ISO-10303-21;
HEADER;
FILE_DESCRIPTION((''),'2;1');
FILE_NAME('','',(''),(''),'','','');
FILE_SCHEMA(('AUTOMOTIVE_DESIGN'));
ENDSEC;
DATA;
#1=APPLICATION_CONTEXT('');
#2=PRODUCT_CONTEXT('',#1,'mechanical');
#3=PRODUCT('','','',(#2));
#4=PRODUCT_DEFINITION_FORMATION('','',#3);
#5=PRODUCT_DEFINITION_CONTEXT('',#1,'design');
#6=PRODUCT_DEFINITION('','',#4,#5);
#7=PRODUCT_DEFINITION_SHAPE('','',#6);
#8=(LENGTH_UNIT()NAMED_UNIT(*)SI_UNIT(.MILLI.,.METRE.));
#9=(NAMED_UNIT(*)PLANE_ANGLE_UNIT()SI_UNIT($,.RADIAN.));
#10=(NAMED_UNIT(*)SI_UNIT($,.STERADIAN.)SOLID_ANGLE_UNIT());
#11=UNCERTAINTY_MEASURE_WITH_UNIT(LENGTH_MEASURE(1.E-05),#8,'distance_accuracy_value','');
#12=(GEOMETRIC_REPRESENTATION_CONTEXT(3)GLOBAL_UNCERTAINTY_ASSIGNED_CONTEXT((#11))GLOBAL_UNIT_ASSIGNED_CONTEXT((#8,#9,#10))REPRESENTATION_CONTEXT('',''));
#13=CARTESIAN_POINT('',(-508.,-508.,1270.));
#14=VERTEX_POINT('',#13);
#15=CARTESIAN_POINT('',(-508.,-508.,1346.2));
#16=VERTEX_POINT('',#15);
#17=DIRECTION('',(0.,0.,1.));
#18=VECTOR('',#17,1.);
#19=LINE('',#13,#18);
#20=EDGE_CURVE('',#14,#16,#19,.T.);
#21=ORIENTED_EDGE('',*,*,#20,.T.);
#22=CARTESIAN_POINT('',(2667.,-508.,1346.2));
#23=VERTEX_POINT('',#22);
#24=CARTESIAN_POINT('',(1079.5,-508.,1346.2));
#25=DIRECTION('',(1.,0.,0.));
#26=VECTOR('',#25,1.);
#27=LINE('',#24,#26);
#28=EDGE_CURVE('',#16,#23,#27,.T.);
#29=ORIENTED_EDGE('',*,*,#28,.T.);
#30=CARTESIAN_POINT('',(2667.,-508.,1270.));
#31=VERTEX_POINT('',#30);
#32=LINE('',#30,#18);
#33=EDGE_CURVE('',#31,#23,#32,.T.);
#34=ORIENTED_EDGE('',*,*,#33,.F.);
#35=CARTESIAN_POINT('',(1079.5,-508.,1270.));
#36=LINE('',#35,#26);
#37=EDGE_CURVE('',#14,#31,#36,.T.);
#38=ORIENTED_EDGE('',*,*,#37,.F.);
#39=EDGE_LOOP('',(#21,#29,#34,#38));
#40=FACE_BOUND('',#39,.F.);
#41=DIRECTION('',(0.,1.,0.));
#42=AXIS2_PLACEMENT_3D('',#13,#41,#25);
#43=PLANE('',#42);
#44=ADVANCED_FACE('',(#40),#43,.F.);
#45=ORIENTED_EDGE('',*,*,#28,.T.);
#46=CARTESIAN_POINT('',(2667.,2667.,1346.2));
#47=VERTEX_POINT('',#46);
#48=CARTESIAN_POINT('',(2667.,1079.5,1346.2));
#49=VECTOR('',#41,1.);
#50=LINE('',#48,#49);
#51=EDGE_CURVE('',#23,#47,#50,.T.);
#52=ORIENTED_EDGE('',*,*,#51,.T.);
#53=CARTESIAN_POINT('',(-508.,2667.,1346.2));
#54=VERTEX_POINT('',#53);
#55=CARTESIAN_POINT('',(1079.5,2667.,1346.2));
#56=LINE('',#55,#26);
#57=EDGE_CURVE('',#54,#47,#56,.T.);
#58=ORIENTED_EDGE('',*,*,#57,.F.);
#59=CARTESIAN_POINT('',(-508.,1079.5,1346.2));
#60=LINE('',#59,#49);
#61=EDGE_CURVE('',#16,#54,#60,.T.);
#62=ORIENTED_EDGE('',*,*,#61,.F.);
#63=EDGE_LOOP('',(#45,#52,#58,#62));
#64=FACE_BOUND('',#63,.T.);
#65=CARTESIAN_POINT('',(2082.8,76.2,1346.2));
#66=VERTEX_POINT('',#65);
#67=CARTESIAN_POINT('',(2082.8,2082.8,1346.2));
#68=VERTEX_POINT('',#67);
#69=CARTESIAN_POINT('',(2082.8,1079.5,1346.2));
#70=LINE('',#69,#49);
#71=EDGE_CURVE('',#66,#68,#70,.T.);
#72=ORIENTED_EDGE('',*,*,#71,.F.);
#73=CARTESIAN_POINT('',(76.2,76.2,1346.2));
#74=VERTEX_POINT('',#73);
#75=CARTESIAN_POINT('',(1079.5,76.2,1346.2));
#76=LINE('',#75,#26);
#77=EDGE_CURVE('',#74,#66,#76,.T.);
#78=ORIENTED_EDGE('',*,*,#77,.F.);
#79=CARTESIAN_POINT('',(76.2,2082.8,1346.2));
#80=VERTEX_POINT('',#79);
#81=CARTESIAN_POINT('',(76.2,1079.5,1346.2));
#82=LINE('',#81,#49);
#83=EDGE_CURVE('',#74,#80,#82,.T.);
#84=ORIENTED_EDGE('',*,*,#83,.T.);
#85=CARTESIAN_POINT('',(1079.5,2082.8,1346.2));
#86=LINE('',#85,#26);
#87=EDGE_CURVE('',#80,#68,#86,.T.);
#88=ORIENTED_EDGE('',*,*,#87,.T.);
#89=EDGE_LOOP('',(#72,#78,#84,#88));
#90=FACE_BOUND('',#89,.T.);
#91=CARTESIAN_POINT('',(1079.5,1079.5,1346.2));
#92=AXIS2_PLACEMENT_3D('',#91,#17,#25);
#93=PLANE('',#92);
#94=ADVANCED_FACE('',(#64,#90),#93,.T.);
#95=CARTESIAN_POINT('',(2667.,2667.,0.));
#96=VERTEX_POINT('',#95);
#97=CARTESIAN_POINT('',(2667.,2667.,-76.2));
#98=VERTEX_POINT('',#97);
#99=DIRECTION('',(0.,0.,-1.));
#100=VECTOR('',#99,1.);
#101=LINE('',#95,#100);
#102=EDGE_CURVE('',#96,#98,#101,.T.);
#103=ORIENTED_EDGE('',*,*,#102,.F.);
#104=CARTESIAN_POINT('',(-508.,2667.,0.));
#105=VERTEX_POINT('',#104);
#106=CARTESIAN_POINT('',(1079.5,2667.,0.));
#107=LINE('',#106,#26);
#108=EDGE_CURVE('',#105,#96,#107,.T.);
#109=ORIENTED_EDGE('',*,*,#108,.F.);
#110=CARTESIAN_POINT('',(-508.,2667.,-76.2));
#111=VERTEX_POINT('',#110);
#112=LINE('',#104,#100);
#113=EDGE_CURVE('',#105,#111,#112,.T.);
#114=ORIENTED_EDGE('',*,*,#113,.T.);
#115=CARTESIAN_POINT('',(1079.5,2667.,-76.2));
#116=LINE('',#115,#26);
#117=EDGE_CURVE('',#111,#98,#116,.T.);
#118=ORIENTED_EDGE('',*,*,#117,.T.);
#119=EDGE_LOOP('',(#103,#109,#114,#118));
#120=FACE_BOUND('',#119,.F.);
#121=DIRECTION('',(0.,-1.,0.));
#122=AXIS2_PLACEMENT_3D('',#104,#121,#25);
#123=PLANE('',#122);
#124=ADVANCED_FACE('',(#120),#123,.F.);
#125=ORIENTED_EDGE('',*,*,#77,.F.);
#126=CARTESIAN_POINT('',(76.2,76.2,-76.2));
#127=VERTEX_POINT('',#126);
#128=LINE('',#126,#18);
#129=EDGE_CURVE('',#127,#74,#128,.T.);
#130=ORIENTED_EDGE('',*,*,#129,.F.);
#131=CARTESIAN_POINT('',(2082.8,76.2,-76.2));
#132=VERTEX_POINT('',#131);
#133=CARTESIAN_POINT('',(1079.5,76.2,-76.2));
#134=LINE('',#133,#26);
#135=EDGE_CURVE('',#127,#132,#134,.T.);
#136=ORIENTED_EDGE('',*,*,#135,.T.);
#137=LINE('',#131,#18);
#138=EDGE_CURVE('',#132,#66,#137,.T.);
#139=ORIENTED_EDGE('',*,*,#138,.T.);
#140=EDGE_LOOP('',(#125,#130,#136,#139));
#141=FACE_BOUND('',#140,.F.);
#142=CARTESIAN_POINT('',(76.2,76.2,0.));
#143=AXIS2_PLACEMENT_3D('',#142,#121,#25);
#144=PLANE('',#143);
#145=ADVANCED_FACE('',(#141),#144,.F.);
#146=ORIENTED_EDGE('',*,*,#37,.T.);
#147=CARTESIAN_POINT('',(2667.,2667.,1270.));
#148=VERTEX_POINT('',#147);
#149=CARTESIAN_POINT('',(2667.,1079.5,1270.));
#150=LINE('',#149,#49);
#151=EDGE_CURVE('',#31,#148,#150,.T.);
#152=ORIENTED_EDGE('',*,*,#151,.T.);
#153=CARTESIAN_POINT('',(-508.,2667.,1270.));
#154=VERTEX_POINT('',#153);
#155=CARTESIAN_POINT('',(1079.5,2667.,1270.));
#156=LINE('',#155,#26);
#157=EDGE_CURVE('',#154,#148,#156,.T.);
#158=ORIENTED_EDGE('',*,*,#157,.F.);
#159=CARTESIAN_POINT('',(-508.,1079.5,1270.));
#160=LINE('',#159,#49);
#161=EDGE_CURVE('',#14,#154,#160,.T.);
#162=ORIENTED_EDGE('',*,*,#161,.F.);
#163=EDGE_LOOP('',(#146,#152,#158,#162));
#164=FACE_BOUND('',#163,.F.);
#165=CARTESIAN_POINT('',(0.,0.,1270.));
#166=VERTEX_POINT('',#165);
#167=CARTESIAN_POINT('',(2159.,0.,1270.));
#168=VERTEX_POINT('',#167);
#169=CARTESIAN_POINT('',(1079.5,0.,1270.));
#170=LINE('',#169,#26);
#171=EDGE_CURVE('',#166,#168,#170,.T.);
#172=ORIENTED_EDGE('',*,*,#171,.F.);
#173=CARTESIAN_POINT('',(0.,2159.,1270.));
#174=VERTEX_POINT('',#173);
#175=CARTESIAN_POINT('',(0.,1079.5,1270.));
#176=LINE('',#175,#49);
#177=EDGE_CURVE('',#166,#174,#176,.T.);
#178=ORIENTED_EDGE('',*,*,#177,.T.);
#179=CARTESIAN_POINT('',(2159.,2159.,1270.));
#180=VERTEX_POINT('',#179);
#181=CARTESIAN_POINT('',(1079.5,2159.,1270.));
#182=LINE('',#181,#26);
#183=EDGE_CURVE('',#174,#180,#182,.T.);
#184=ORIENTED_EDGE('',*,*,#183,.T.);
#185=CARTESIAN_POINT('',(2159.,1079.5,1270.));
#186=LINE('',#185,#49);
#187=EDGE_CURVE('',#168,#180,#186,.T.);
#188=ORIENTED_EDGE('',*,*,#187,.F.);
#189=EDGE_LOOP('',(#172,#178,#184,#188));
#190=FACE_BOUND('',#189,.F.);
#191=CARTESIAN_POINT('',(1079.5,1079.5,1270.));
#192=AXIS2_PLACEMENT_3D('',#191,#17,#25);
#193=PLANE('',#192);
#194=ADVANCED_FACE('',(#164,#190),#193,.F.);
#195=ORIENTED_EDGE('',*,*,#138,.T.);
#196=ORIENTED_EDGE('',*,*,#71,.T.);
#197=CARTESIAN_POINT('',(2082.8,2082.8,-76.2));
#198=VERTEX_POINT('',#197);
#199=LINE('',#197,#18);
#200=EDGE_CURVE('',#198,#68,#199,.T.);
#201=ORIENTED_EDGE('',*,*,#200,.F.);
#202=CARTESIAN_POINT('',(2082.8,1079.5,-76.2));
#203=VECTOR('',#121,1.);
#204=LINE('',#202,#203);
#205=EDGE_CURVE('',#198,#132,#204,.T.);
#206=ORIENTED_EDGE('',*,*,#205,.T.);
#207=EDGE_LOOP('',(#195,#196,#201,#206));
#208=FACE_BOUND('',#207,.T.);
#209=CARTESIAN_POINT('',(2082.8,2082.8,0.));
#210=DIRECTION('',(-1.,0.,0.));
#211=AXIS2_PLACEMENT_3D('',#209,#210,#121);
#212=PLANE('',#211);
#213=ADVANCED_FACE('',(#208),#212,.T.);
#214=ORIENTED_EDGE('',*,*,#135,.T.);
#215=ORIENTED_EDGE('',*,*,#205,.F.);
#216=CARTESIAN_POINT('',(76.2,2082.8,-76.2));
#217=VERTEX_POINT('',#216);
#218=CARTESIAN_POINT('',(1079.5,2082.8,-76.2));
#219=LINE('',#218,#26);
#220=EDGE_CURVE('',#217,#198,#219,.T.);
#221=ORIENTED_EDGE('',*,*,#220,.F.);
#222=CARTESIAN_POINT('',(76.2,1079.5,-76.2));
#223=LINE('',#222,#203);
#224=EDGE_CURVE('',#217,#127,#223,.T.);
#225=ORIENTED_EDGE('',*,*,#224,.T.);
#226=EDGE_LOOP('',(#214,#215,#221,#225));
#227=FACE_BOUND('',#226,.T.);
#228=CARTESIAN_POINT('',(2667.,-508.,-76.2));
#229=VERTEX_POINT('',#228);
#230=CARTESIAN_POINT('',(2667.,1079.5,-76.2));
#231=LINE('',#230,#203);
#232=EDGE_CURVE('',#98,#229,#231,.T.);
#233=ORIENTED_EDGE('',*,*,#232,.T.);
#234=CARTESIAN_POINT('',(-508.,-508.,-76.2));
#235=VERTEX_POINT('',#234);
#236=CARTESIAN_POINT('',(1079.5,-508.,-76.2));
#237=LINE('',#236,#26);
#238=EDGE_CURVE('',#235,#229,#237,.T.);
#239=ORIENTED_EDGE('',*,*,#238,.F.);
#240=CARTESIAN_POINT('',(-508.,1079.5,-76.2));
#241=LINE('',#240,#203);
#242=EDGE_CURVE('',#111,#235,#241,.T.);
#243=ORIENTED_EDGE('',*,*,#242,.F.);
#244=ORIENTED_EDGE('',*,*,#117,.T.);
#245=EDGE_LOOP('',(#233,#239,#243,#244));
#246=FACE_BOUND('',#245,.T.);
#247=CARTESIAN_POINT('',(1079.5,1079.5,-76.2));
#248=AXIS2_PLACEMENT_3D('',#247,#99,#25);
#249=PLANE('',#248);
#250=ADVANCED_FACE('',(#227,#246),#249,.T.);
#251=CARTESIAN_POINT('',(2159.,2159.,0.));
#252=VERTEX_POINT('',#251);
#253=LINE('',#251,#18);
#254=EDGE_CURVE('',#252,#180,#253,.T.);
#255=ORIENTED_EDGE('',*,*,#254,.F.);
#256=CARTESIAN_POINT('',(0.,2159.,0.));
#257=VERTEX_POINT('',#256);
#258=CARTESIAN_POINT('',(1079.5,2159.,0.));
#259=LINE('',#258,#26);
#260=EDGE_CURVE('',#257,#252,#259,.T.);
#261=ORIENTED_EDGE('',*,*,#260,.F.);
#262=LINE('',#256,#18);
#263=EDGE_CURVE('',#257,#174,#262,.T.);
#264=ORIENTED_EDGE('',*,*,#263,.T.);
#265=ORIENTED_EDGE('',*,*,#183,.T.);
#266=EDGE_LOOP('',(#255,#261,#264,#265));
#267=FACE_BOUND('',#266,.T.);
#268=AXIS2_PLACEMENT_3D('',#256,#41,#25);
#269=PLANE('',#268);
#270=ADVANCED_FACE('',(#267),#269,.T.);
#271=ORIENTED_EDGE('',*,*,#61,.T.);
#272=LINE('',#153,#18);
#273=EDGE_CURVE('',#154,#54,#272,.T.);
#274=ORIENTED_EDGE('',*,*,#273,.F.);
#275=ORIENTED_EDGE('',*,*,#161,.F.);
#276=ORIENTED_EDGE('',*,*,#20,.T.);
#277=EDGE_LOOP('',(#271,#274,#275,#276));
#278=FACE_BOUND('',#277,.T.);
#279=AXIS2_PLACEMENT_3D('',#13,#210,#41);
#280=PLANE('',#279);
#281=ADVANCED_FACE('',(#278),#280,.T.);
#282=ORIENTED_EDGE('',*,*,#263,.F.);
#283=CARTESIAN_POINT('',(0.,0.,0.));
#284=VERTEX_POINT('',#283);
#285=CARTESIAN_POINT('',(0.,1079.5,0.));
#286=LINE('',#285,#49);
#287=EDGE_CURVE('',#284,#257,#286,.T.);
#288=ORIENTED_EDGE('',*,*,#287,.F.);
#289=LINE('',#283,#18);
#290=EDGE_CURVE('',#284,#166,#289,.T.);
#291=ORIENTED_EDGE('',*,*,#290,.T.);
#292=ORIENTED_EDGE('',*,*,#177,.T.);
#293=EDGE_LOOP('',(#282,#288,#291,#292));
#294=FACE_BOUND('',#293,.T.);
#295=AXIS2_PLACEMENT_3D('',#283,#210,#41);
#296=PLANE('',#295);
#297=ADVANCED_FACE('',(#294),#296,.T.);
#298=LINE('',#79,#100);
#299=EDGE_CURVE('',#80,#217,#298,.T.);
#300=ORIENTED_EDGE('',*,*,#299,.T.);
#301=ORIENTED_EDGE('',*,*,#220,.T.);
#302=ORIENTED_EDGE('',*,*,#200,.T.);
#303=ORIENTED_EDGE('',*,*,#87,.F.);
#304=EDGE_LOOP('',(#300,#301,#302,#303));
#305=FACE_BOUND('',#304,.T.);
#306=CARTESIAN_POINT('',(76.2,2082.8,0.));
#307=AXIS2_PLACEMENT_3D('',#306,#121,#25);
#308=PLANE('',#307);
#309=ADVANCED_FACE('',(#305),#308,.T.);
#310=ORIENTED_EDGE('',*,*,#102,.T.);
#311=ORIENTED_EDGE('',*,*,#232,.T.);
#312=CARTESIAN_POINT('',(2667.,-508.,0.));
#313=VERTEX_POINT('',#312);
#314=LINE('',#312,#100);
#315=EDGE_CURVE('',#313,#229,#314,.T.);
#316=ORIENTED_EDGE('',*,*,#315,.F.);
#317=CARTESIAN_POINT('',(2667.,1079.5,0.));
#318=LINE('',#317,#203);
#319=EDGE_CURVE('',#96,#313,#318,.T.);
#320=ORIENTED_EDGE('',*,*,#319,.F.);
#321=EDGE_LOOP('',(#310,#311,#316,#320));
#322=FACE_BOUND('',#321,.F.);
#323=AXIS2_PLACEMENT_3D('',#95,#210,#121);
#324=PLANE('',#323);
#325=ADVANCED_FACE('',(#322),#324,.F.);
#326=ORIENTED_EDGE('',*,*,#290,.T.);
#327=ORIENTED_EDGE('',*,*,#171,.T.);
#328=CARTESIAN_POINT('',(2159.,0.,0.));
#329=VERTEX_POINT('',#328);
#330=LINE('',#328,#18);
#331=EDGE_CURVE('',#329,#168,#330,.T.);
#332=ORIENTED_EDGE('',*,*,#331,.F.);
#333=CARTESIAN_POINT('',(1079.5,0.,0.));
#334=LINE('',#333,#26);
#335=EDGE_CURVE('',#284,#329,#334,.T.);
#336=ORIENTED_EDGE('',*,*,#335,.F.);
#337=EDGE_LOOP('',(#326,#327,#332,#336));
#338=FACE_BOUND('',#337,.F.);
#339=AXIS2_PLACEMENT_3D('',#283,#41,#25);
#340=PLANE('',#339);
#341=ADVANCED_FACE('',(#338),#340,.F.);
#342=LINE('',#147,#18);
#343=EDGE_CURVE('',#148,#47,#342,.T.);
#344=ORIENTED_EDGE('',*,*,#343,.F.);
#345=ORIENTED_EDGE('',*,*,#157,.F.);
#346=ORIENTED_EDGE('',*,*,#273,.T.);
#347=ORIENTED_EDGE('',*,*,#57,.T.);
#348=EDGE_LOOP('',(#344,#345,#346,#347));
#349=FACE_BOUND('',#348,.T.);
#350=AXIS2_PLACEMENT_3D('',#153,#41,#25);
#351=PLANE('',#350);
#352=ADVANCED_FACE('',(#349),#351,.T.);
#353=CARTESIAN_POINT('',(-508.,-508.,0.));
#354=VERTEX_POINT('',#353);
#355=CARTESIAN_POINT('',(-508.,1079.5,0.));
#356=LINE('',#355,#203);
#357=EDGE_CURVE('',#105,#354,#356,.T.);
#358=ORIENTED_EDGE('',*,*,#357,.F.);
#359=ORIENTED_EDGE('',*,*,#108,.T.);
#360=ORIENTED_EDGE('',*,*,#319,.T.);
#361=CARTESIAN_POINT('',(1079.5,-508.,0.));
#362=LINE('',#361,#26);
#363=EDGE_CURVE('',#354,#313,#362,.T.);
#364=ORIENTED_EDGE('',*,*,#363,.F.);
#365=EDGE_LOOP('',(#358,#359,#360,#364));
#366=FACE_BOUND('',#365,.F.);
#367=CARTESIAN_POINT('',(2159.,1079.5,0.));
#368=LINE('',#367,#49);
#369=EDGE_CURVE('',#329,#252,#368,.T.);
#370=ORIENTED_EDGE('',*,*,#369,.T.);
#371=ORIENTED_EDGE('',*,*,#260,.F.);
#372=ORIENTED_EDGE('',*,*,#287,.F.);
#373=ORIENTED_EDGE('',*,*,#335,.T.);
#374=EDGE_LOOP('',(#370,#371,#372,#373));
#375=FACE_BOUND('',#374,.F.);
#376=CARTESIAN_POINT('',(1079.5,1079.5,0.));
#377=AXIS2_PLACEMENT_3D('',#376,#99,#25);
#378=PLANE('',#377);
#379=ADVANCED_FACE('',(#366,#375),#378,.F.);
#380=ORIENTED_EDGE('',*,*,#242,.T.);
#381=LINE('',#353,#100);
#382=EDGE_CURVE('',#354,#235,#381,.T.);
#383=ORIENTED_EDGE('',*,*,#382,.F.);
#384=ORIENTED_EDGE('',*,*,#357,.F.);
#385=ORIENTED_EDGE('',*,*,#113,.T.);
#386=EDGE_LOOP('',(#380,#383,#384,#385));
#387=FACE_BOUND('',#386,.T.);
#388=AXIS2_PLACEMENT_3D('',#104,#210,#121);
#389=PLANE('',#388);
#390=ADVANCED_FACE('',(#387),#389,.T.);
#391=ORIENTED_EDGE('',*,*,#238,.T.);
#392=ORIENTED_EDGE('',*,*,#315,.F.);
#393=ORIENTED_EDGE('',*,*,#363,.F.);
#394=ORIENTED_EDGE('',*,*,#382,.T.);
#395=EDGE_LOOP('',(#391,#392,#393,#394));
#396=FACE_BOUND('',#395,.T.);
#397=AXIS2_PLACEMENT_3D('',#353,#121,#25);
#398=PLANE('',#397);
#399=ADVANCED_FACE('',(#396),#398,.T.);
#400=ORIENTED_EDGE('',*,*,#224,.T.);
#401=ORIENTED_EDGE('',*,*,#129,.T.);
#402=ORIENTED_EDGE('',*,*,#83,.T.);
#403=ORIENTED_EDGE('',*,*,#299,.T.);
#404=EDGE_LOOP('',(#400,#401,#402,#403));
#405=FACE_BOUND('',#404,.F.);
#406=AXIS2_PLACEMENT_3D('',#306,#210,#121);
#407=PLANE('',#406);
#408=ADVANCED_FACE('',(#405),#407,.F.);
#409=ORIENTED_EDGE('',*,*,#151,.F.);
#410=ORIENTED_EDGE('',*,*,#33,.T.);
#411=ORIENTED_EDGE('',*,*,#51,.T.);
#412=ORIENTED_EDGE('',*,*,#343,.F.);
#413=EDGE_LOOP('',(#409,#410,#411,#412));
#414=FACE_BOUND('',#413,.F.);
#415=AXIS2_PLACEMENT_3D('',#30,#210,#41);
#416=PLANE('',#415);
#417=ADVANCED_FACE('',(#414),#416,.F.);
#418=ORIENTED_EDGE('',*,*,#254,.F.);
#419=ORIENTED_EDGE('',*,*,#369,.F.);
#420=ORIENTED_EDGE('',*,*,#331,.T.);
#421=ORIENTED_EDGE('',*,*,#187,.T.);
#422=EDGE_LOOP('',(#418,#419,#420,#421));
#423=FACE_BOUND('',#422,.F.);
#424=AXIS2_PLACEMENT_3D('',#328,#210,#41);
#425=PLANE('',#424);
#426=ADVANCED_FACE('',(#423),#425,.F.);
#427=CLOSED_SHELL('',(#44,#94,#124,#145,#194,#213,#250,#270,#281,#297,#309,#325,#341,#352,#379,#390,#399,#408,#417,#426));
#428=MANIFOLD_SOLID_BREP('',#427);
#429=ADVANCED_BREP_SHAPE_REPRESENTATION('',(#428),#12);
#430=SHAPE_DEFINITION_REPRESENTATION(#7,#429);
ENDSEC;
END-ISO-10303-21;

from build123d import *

# Parameters (mm, degrees)
F0_W     = 2159
F0_H     = 2159
F0_W_2   = 2006.6
F0_H_2   = 2006.6
F1_DEPTH = 1270
F2_W     = 3175
F2_H     = 3175
F2_W_2   = 2006.6
F2_H_2   = 2006.6
F3_DEPTH = 76.2
F4_W     = 3175
F4_H     = 3175
F4_W_2   = 2006.6
F4_H_2   = 2006.6
F5_DEPTH = 76.2


with BuildPart() as f1:
    # F0 (on Top) → F1 (new body)
    with BuildSketch(Plane.XY):
        with Locations((1079.5, 1079.5)):
            Rectangle(F0_W, F0_H)
        with Locations((1079.5, 1079.5)):
            Rectangle(F0_W_2, F0_H_2, mode=Mode.SUBTRACT)
    extrude(amount=F1_DEPTH)

    # F2 (on face) → F3 (join)
    with BuildSketch(Plane.XY.offset(1270)):
        with Locations((1079.5, 1079.5)):
            Rectangle(F2_W, F2_H)
        with Locations((1079.5, 1079.5)):
            Rectangle(F2_W_2, F2_H_2, mode=Mode.SUBTRACT)
    extrude(amount=F3_DEPTH)

    # F4 (on face) → F5 (join)
    with BuildSketch(Plane(origin=(0, 0, 0), x_dir=(1, 0, 0), z_dir=(0, 0, -1))):
        with Locations((1079.5, -1079.5)):
            Rectangle(F4_W, F4_H)
        with Locations((1079.5, -1079.5)):
            Rectangle(F4_W_2, F4_H_2, mode=Mode.SUBTRACT)
    extrude(amount=F5_DEPTH)


solid = f1.part
